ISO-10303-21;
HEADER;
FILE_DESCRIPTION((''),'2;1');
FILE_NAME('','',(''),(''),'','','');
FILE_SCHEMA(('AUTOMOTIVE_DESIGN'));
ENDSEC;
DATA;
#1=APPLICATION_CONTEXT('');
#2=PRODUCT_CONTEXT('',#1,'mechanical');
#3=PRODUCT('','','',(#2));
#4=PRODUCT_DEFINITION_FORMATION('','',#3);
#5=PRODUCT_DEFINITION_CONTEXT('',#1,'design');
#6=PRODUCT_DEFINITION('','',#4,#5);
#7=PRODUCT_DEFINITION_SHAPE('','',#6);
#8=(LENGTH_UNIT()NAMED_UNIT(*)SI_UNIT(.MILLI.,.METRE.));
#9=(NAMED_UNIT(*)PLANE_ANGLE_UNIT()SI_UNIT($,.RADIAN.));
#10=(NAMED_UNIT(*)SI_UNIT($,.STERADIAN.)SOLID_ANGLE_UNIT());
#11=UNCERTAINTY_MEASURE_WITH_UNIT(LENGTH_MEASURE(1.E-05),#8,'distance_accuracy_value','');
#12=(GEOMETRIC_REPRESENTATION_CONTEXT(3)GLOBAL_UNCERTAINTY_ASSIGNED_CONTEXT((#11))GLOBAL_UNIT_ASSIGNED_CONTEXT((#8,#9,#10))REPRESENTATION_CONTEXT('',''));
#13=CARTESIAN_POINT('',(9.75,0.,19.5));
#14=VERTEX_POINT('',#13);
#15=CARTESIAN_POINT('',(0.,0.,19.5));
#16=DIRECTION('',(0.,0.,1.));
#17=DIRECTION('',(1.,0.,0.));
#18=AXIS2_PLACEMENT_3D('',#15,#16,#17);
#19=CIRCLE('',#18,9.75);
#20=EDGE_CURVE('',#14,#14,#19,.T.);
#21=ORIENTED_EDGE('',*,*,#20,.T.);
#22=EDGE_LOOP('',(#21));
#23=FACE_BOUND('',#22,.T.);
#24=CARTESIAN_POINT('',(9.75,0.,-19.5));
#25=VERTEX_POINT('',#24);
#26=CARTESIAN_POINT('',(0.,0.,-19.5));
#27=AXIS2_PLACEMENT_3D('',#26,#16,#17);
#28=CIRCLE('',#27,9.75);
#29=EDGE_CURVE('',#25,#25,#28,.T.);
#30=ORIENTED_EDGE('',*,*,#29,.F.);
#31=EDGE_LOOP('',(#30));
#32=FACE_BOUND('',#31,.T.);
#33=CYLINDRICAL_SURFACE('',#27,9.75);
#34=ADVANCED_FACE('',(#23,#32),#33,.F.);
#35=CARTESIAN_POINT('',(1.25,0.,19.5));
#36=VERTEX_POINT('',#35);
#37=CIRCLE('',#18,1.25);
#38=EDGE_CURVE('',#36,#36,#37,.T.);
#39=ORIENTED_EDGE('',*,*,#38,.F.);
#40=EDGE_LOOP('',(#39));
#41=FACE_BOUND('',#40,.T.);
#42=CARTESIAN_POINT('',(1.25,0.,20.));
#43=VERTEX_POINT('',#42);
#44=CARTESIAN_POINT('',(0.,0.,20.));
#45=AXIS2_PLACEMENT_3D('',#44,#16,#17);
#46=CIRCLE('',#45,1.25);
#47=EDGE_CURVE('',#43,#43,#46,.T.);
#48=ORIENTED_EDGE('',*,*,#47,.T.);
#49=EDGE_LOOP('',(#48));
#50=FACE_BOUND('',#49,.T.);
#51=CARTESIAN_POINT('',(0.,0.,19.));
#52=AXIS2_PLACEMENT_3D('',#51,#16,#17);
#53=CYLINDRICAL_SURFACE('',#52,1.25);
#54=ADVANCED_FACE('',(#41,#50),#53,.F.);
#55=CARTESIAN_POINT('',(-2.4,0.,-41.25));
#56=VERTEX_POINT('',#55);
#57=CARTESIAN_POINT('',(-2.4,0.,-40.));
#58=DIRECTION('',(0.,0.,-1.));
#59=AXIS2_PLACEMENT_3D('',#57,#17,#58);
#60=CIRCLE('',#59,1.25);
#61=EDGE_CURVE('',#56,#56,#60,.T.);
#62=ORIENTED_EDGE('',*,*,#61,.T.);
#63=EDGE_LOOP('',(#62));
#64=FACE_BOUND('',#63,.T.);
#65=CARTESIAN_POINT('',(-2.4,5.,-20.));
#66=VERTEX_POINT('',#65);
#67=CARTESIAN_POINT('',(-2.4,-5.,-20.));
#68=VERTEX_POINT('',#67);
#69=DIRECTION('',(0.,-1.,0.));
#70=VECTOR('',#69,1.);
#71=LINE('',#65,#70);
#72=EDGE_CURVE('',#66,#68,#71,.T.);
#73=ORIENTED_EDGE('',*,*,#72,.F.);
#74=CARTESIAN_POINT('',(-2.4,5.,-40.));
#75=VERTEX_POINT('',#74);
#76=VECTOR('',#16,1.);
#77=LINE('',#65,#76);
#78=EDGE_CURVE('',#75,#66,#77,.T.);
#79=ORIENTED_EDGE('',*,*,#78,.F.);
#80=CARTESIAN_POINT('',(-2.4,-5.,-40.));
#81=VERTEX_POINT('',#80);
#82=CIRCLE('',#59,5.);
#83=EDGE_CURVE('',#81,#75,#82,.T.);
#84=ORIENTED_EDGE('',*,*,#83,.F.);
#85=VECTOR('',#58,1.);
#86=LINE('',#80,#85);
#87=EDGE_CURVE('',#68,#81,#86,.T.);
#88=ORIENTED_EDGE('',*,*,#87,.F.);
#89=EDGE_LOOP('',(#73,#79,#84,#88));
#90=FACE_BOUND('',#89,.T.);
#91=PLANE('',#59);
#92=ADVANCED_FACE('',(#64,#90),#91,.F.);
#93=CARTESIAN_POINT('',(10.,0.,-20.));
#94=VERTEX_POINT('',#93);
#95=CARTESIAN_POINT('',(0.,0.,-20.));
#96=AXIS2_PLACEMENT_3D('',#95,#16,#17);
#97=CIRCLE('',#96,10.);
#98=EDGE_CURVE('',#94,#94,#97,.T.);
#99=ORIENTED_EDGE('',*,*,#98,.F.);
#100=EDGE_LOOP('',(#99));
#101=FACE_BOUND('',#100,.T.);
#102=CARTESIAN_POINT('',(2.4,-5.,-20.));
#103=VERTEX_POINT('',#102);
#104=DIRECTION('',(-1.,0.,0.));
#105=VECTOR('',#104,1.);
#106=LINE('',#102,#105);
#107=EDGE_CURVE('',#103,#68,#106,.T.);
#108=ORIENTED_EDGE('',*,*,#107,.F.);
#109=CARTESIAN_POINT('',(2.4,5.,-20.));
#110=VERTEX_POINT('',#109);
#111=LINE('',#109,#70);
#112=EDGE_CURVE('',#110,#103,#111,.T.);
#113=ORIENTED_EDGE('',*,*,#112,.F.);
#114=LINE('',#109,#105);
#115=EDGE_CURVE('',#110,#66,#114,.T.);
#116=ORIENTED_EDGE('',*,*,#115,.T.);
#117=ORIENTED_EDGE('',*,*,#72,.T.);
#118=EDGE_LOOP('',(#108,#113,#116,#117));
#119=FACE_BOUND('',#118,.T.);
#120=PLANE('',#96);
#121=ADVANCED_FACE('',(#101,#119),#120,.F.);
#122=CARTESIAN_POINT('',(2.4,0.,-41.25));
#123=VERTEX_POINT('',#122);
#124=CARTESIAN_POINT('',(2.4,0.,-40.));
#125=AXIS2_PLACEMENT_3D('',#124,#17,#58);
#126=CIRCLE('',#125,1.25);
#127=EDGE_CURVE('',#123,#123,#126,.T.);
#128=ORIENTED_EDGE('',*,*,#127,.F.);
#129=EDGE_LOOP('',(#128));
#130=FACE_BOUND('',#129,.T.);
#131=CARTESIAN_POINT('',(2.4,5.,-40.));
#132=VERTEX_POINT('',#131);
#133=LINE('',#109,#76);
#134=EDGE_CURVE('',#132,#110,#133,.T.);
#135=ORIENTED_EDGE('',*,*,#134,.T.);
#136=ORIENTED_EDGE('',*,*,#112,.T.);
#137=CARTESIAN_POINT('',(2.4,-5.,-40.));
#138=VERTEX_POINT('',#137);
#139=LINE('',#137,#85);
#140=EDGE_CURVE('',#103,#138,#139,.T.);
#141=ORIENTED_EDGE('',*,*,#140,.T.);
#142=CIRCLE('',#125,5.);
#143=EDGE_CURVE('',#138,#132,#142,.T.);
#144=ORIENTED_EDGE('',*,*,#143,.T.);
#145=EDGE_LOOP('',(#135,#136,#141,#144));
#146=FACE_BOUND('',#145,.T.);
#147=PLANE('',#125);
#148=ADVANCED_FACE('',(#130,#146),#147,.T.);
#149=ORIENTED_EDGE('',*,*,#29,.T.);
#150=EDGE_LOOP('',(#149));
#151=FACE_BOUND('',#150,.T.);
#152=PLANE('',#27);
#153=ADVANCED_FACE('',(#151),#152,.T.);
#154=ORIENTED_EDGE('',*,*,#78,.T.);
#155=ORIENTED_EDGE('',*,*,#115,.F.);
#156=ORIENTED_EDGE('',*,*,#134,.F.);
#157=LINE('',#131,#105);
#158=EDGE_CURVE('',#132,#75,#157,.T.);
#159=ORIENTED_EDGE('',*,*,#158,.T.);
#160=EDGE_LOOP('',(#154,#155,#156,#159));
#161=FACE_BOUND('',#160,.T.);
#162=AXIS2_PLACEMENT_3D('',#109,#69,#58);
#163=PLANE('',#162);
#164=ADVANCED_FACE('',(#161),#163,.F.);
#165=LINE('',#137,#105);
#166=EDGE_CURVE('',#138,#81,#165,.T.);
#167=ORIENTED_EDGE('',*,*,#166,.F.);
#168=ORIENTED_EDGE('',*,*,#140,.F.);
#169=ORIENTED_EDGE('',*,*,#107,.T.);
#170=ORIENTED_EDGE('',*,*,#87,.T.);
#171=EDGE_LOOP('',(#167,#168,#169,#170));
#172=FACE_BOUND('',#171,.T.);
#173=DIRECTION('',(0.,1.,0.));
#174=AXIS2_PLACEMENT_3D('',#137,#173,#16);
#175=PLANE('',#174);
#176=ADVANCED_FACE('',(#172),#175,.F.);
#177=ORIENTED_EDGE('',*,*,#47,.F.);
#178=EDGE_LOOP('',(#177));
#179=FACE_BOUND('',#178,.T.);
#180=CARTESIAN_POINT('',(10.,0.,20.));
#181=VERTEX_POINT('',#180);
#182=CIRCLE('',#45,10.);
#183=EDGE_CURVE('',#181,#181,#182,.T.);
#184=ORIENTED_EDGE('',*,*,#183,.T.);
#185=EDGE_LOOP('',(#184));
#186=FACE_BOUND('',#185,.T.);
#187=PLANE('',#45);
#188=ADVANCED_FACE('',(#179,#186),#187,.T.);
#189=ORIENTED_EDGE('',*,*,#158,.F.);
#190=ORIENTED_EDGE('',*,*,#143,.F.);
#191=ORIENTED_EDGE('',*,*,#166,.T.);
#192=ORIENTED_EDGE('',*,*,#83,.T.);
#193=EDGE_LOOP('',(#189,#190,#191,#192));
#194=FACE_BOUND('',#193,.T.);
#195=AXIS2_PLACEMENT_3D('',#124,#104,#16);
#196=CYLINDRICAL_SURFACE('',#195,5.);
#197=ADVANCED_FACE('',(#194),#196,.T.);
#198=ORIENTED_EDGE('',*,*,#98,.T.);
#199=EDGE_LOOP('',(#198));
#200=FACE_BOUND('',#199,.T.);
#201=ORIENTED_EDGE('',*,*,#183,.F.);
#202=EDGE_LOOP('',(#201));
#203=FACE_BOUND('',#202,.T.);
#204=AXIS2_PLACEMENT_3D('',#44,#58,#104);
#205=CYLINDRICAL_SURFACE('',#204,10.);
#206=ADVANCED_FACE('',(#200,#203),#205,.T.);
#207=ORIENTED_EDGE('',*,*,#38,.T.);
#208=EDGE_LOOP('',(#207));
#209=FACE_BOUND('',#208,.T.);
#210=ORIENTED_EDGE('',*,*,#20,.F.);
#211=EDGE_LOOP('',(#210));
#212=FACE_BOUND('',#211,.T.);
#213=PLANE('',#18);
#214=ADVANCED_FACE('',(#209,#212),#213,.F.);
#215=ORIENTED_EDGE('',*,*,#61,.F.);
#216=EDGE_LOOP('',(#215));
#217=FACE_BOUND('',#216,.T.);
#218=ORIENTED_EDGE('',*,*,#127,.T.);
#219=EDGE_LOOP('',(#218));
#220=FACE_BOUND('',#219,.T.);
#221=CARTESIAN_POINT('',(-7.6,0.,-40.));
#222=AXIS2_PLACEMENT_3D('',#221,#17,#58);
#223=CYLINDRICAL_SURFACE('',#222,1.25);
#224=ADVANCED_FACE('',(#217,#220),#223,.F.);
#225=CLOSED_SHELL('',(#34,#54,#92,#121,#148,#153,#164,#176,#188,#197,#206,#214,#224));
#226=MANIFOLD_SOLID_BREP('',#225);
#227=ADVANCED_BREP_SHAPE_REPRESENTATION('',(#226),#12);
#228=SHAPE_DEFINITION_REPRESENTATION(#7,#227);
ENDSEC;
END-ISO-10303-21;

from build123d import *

# Parameters (mm, degrees)
SKETCH1_R           = 10
BOSS_EXTRUDE1_DEPTH = 20
SKETCH3_R           = 9.75
CUT_EXTRUDE1_DEPTH  = 19.5
SKETCH4_R           = 1.25
CUT_EXTRUDE2_DEPTH  = 1
BOSS_EXTRUDE2_DEPTH = 2.4
SKETCH7_R           = 1.25
CUT_EXTRUDE4_DEPTH  = 10


with BuildPart() as part:
    # Sketch1 → Boss-Extrude1 (new, symmetric)
    with BuildSketch(Plane.XY):
        Circle(SKETCH1_R)
    extrude(amount=BOSS_EXTRUDE1_DEPTH, both=True)

    # Sketch3 → Cut-Extrude1 (cut, symmetric)
    with BuildSketch(Plane.XY):
        Circle(SKETCH3_R)
    extrude(amount=CUT_EXTRUDE1_DEPTH, both=True, mode=Mode.SUBTRACT)

    # Sketch4 → Cut-Extrude2 (cut)
    with BuildSketch(Plane.XY.offset(20)):
        Circle(SKETCH4_R)
    extrude(amount=-CUT_EXTRUDE2_DEPTH, mode=Mode.SUBTRACT)

    # Sketch5 → Boss-Extrude2 (add, symmetric)
    with BuildSketch(Plane(origin=(0, 0, 0), x_dir=(0, 0, -1), z_dir=(1, 0, 0))):
        with BuildLine():
            Line((20, 5), (20, -5))
            Line((20, -5), (40, -5))
            ThreePointArc((40, -5), (45, 0), (40, 5))
            Line((40, 5), (20, 5))
        make_face()
    extrude(amount=BOSS_EXTRUDE2_DEPTH, both=True)

    # Sketch7 → Cut-Extrude4 (cut)
    with BuildSketch(Plane(origin=(2.4, 0, 0), x_dir=(0, 0, -1), z_dir=(1, 0, 0))):
        with Locations((40, 0)):
            Circle(SKETCH7_R)
    extrude(amount=-CUT_EXTRUDE4_DEPTH, mode=Mode.SUBTRACT)


solid = part.part
